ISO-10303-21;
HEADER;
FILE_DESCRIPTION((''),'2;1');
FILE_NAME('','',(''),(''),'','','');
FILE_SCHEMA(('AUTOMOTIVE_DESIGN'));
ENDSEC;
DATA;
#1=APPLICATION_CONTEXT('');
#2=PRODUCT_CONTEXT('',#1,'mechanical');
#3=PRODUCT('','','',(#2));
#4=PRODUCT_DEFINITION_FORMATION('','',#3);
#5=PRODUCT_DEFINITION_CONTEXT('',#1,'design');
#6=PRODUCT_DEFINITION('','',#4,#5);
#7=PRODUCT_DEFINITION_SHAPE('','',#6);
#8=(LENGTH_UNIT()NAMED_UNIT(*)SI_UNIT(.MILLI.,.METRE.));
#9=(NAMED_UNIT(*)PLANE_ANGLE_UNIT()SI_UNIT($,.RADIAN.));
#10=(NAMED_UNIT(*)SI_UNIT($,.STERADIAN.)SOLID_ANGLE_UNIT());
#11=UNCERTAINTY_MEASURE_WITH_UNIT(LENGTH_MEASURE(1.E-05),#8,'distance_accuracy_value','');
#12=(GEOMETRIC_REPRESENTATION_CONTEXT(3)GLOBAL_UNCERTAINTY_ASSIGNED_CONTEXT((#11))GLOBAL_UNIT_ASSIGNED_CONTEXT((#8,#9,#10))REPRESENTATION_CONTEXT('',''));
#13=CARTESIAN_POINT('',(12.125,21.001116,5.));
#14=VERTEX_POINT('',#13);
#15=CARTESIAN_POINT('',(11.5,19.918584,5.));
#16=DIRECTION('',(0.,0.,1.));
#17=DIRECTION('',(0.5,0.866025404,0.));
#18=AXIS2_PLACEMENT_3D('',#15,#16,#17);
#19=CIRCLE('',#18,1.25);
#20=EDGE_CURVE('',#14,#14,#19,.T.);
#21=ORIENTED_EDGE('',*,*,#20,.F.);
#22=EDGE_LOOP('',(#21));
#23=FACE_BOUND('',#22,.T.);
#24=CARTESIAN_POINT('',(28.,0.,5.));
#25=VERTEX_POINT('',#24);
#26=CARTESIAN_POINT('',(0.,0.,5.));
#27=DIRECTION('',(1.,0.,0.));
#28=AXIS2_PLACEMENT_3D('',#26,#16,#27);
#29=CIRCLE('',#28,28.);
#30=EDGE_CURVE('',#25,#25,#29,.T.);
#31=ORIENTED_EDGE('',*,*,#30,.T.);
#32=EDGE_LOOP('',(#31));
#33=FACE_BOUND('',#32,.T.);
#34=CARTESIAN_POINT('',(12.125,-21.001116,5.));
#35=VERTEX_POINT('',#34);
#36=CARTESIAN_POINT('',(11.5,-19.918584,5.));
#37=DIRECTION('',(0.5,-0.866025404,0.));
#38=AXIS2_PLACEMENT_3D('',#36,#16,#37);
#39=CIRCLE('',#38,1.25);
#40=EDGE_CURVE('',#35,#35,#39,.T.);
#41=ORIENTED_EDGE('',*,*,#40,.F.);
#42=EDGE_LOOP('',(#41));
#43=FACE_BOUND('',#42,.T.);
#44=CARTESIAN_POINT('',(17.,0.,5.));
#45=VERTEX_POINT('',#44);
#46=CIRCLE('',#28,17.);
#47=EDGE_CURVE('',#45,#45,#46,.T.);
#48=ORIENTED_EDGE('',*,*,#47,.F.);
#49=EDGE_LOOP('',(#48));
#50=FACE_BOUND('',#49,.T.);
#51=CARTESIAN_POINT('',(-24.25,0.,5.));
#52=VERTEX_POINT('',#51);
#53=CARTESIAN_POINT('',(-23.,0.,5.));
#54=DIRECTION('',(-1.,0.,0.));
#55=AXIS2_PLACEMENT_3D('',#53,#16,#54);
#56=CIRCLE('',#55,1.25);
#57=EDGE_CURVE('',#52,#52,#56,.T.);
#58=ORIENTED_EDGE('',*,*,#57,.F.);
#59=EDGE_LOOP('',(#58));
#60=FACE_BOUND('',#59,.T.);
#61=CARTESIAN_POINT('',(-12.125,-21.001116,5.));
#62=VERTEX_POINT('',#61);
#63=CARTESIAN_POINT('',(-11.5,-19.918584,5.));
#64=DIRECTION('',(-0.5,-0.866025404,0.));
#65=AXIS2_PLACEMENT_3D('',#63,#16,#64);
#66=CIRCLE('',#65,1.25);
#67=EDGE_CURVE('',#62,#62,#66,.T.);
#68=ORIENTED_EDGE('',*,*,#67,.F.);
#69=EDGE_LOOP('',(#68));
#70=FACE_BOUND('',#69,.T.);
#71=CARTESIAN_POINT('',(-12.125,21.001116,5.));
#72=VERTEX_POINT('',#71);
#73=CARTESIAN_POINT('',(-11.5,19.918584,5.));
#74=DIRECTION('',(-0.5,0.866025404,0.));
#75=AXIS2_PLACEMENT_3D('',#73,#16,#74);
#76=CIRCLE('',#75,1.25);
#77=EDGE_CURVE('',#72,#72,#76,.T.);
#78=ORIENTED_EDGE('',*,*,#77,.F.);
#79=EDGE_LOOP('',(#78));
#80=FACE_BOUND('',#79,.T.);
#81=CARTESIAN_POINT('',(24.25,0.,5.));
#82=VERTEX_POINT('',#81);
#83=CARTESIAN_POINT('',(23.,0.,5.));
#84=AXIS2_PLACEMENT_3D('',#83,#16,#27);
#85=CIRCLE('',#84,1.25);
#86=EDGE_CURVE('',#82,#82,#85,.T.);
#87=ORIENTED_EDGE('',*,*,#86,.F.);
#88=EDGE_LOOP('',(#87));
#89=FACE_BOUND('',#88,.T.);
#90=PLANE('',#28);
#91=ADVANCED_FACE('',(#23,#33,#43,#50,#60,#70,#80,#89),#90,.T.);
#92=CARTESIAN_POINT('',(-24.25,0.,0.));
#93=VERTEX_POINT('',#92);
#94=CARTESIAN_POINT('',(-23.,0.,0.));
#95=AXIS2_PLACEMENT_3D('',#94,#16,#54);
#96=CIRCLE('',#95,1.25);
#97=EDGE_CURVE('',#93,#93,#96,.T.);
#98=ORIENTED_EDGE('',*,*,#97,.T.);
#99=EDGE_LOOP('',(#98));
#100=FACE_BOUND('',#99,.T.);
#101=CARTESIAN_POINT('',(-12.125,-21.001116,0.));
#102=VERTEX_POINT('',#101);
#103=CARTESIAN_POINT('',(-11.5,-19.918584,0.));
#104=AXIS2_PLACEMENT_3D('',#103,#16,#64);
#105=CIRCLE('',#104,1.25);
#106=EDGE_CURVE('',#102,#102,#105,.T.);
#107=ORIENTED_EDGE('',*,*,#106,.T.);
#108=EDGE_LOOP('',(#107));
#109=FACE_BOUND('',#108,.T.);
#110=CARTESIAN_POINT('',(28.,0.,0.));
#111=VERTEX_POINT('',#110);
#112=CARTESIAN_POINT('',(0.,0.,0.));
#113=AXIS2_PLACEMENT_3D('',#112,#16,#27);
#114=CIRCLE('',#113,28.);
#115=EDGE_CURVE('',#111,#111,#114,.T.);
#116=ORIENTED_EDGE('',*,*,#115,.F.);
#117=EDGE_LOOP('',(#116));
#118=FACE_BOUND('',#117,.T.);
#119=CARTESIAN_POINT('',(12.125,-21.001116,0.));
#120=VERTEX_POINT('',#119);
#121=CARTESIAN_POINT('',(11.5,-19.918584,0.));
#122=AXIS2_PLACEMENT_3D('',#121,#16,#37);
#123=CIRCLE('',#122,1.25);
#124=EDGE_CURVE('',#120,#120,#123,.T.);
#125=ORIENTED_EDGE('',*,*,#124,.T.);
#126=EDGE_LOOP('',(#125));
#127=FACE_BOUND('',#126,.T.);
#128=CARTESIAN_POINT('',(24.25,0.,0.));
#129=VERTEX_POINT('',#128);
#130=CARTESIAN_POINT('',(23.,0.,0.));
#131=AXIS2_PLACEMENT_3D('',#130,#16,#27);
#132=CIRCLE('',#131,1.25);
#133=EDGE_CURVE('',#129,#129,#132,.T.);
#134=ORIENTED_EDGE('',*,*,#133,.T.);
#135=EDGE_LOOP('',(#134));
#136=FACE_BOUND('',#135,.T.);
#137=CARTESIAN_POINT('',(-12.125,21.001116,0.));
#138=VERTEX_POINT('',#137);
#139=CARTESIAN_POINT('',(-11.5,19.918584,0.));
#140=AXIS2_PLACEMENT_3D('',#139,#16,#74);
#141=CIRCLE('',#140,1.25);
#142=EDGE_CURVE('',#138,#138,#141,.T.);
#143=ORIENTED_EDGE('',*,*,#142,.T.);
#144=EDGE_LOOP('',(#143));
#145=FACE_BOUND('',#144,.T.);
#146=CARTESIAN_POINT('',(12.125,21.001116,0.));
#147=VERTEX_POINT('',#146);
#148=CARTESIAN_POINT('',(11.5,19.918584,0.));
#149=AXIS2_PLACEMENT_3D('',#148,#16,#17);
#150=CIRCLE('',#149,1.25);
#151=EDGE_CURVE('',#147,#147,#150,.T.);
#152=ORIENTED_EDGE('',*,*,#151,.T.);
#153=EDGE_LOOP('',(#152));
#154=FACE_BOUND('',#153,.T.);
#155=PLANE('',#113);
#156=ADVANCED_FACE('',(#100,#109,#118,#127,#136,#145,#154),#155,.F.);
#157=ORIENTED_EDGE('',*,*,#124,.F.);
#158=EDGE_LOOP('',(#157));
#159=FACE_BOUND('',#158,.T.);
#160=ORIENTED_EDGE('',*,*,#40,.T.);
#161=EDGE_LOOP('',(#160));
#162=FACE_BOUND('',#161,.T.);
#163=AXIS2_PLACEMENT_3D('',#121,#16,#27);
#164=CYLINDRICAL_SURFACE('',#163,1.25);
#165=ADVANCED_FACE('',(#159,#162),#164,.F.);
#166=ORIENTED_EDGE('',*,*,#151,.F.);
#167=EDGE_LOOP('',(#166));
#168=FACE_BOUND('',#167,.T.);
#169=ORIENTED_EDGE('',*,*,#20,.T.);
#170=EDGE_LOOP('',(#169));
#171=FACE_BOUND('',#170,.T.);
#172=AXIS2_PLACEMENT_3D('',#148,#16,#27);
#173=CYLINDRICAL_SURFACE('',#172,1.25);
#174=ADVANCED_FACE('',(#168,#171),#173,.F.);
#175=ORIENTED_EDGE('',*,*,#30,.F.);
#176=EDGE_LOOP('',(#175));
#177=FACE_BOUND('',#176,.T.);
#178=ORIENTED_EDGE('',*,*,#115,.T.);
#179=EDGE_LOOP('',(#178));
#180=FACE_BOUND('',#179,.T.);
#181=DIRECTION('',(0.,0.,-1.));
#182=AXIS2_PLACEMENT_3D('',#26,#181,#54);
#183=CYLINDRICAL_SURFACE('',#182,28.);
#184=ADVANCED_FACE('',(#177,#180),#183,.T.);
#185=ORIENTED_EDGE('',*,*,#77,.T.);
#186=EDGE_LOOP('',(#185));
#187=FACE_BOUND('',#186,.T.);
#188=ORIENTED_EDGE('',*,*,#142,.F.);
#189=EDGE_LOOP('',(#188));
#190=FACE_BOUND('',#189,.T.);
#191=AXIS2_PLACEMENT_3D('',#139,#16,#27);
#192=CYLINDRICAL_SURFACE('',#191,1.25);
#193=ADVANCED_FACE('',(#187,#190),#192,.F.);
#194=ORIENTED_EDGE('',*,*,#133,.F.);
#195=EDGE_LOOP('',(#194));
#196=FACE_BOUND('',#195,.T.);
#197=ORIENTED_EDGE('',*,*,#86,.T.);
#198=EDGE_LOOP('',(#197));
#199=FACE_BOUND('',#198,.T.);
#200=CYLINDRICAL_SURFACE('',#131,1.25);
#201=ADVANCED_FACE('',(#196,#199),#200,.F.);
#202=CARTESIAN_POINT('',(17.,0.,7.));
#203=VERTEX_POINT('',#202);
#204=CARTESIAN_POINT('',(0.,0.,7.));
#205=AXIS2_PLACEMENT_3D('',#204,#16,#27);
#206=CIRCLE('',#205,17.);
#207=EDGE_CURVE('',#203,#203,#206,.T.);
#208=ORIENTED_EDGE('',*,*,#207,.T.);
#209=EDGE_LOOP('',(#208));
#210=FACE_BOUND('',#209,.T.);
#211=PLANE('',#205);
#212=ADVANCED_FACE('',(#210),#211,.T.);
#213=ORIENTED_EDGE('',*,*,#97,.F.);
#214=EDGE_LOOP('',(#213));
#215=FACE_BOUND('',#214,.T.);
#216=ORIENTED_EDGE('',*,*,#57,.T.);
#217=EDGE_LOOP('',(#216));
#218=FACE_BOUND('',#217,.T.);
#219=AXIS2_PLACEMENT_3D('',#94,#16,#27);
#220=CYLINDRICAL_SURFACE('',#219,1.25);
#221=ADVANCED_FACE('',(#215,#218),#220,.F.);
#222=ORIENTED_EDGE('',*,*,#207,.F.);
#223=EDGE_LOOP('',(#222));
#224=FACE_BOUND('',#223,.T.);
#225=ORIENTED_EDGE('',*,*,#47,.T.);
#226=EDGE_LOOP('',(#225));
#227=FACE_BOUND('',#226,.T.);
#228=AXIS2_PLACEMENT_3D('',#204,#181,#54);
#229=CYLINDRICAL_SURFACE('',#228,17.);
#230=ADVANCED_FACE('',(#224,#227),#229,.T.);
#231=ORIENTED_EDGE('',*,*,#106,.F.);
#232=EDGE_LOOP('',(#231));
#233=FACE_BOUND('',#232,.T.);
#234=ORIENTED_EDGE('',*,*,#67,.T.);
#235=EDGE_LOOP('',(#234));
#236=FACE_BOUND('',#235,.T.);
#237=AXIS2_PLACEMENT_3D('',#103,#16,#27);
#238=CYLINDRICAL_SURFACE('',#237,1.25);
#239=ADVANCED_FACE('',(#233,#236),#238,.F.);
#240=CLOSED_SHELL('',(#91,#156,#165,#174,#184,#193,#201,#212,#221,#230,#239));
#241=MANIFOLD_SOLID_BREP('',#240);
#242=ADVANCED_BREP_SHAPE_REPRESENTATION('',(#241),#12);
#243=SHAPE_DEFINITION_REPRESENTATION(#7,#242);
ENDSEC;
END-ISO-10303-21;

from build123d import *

# Parameters (mm, degrees)
SK_DISC_R                 = 28
OUTPUT_DISC_DEPTH         = 5
SK_PILOT_R                = 17
PILOT_BOSS_DEPTH          = 2
SK_OUTHOLE_R              = 1.25
OUTPUT_TAPPED_HOLE_DEPTH  = 5
OUTPUT_HOLE_PATTERN_COUNT = 6


with BuildPart() as part:
    # SK_Disc → Output_Disc (new body)
    with BuildSketch(Plane.XY):
        Circle(SK_DISC_R)
    extrude(amount=OUTPUT_DISC_DEPTH)

    # SK_Pilot → Pilot_Boss (add)
    with BuildSketch(Plane.XY.offset(5)):
        Circle(SK_PILOT_R)
    extrude(amount=PILOT_BOSS_DEPTH)

    # SK_OutHole → Output_Tapped_Hole (cut)
    with BuildSketch(Plane.XY.offset(5)):
        with Locations((23, 0)):
            Circle(SK_OUTHOLE_R)
    output_tapped_hole = extrude(amount=-OUTPUT_TAPPED_HOLE_DEPTH, mode=Mode.SUBTRACT)

    # Output_Hole_Pattern: Output_Tapped_Hole ×6 about axis
    output_hole_pattern_axis = Axis((0, 0, -0.35), (0, 0, 1))
    for i in range(1, OUTPUT_HOLE_PATTERN_COUNT):
        add(output_tapped_hole.rotate(output_hole_pattern_axis, i * 360 / OUTPUT_HOLE_PATTERN_COUNT), mode=Mode.SUBTRACT)


solid = part.part
